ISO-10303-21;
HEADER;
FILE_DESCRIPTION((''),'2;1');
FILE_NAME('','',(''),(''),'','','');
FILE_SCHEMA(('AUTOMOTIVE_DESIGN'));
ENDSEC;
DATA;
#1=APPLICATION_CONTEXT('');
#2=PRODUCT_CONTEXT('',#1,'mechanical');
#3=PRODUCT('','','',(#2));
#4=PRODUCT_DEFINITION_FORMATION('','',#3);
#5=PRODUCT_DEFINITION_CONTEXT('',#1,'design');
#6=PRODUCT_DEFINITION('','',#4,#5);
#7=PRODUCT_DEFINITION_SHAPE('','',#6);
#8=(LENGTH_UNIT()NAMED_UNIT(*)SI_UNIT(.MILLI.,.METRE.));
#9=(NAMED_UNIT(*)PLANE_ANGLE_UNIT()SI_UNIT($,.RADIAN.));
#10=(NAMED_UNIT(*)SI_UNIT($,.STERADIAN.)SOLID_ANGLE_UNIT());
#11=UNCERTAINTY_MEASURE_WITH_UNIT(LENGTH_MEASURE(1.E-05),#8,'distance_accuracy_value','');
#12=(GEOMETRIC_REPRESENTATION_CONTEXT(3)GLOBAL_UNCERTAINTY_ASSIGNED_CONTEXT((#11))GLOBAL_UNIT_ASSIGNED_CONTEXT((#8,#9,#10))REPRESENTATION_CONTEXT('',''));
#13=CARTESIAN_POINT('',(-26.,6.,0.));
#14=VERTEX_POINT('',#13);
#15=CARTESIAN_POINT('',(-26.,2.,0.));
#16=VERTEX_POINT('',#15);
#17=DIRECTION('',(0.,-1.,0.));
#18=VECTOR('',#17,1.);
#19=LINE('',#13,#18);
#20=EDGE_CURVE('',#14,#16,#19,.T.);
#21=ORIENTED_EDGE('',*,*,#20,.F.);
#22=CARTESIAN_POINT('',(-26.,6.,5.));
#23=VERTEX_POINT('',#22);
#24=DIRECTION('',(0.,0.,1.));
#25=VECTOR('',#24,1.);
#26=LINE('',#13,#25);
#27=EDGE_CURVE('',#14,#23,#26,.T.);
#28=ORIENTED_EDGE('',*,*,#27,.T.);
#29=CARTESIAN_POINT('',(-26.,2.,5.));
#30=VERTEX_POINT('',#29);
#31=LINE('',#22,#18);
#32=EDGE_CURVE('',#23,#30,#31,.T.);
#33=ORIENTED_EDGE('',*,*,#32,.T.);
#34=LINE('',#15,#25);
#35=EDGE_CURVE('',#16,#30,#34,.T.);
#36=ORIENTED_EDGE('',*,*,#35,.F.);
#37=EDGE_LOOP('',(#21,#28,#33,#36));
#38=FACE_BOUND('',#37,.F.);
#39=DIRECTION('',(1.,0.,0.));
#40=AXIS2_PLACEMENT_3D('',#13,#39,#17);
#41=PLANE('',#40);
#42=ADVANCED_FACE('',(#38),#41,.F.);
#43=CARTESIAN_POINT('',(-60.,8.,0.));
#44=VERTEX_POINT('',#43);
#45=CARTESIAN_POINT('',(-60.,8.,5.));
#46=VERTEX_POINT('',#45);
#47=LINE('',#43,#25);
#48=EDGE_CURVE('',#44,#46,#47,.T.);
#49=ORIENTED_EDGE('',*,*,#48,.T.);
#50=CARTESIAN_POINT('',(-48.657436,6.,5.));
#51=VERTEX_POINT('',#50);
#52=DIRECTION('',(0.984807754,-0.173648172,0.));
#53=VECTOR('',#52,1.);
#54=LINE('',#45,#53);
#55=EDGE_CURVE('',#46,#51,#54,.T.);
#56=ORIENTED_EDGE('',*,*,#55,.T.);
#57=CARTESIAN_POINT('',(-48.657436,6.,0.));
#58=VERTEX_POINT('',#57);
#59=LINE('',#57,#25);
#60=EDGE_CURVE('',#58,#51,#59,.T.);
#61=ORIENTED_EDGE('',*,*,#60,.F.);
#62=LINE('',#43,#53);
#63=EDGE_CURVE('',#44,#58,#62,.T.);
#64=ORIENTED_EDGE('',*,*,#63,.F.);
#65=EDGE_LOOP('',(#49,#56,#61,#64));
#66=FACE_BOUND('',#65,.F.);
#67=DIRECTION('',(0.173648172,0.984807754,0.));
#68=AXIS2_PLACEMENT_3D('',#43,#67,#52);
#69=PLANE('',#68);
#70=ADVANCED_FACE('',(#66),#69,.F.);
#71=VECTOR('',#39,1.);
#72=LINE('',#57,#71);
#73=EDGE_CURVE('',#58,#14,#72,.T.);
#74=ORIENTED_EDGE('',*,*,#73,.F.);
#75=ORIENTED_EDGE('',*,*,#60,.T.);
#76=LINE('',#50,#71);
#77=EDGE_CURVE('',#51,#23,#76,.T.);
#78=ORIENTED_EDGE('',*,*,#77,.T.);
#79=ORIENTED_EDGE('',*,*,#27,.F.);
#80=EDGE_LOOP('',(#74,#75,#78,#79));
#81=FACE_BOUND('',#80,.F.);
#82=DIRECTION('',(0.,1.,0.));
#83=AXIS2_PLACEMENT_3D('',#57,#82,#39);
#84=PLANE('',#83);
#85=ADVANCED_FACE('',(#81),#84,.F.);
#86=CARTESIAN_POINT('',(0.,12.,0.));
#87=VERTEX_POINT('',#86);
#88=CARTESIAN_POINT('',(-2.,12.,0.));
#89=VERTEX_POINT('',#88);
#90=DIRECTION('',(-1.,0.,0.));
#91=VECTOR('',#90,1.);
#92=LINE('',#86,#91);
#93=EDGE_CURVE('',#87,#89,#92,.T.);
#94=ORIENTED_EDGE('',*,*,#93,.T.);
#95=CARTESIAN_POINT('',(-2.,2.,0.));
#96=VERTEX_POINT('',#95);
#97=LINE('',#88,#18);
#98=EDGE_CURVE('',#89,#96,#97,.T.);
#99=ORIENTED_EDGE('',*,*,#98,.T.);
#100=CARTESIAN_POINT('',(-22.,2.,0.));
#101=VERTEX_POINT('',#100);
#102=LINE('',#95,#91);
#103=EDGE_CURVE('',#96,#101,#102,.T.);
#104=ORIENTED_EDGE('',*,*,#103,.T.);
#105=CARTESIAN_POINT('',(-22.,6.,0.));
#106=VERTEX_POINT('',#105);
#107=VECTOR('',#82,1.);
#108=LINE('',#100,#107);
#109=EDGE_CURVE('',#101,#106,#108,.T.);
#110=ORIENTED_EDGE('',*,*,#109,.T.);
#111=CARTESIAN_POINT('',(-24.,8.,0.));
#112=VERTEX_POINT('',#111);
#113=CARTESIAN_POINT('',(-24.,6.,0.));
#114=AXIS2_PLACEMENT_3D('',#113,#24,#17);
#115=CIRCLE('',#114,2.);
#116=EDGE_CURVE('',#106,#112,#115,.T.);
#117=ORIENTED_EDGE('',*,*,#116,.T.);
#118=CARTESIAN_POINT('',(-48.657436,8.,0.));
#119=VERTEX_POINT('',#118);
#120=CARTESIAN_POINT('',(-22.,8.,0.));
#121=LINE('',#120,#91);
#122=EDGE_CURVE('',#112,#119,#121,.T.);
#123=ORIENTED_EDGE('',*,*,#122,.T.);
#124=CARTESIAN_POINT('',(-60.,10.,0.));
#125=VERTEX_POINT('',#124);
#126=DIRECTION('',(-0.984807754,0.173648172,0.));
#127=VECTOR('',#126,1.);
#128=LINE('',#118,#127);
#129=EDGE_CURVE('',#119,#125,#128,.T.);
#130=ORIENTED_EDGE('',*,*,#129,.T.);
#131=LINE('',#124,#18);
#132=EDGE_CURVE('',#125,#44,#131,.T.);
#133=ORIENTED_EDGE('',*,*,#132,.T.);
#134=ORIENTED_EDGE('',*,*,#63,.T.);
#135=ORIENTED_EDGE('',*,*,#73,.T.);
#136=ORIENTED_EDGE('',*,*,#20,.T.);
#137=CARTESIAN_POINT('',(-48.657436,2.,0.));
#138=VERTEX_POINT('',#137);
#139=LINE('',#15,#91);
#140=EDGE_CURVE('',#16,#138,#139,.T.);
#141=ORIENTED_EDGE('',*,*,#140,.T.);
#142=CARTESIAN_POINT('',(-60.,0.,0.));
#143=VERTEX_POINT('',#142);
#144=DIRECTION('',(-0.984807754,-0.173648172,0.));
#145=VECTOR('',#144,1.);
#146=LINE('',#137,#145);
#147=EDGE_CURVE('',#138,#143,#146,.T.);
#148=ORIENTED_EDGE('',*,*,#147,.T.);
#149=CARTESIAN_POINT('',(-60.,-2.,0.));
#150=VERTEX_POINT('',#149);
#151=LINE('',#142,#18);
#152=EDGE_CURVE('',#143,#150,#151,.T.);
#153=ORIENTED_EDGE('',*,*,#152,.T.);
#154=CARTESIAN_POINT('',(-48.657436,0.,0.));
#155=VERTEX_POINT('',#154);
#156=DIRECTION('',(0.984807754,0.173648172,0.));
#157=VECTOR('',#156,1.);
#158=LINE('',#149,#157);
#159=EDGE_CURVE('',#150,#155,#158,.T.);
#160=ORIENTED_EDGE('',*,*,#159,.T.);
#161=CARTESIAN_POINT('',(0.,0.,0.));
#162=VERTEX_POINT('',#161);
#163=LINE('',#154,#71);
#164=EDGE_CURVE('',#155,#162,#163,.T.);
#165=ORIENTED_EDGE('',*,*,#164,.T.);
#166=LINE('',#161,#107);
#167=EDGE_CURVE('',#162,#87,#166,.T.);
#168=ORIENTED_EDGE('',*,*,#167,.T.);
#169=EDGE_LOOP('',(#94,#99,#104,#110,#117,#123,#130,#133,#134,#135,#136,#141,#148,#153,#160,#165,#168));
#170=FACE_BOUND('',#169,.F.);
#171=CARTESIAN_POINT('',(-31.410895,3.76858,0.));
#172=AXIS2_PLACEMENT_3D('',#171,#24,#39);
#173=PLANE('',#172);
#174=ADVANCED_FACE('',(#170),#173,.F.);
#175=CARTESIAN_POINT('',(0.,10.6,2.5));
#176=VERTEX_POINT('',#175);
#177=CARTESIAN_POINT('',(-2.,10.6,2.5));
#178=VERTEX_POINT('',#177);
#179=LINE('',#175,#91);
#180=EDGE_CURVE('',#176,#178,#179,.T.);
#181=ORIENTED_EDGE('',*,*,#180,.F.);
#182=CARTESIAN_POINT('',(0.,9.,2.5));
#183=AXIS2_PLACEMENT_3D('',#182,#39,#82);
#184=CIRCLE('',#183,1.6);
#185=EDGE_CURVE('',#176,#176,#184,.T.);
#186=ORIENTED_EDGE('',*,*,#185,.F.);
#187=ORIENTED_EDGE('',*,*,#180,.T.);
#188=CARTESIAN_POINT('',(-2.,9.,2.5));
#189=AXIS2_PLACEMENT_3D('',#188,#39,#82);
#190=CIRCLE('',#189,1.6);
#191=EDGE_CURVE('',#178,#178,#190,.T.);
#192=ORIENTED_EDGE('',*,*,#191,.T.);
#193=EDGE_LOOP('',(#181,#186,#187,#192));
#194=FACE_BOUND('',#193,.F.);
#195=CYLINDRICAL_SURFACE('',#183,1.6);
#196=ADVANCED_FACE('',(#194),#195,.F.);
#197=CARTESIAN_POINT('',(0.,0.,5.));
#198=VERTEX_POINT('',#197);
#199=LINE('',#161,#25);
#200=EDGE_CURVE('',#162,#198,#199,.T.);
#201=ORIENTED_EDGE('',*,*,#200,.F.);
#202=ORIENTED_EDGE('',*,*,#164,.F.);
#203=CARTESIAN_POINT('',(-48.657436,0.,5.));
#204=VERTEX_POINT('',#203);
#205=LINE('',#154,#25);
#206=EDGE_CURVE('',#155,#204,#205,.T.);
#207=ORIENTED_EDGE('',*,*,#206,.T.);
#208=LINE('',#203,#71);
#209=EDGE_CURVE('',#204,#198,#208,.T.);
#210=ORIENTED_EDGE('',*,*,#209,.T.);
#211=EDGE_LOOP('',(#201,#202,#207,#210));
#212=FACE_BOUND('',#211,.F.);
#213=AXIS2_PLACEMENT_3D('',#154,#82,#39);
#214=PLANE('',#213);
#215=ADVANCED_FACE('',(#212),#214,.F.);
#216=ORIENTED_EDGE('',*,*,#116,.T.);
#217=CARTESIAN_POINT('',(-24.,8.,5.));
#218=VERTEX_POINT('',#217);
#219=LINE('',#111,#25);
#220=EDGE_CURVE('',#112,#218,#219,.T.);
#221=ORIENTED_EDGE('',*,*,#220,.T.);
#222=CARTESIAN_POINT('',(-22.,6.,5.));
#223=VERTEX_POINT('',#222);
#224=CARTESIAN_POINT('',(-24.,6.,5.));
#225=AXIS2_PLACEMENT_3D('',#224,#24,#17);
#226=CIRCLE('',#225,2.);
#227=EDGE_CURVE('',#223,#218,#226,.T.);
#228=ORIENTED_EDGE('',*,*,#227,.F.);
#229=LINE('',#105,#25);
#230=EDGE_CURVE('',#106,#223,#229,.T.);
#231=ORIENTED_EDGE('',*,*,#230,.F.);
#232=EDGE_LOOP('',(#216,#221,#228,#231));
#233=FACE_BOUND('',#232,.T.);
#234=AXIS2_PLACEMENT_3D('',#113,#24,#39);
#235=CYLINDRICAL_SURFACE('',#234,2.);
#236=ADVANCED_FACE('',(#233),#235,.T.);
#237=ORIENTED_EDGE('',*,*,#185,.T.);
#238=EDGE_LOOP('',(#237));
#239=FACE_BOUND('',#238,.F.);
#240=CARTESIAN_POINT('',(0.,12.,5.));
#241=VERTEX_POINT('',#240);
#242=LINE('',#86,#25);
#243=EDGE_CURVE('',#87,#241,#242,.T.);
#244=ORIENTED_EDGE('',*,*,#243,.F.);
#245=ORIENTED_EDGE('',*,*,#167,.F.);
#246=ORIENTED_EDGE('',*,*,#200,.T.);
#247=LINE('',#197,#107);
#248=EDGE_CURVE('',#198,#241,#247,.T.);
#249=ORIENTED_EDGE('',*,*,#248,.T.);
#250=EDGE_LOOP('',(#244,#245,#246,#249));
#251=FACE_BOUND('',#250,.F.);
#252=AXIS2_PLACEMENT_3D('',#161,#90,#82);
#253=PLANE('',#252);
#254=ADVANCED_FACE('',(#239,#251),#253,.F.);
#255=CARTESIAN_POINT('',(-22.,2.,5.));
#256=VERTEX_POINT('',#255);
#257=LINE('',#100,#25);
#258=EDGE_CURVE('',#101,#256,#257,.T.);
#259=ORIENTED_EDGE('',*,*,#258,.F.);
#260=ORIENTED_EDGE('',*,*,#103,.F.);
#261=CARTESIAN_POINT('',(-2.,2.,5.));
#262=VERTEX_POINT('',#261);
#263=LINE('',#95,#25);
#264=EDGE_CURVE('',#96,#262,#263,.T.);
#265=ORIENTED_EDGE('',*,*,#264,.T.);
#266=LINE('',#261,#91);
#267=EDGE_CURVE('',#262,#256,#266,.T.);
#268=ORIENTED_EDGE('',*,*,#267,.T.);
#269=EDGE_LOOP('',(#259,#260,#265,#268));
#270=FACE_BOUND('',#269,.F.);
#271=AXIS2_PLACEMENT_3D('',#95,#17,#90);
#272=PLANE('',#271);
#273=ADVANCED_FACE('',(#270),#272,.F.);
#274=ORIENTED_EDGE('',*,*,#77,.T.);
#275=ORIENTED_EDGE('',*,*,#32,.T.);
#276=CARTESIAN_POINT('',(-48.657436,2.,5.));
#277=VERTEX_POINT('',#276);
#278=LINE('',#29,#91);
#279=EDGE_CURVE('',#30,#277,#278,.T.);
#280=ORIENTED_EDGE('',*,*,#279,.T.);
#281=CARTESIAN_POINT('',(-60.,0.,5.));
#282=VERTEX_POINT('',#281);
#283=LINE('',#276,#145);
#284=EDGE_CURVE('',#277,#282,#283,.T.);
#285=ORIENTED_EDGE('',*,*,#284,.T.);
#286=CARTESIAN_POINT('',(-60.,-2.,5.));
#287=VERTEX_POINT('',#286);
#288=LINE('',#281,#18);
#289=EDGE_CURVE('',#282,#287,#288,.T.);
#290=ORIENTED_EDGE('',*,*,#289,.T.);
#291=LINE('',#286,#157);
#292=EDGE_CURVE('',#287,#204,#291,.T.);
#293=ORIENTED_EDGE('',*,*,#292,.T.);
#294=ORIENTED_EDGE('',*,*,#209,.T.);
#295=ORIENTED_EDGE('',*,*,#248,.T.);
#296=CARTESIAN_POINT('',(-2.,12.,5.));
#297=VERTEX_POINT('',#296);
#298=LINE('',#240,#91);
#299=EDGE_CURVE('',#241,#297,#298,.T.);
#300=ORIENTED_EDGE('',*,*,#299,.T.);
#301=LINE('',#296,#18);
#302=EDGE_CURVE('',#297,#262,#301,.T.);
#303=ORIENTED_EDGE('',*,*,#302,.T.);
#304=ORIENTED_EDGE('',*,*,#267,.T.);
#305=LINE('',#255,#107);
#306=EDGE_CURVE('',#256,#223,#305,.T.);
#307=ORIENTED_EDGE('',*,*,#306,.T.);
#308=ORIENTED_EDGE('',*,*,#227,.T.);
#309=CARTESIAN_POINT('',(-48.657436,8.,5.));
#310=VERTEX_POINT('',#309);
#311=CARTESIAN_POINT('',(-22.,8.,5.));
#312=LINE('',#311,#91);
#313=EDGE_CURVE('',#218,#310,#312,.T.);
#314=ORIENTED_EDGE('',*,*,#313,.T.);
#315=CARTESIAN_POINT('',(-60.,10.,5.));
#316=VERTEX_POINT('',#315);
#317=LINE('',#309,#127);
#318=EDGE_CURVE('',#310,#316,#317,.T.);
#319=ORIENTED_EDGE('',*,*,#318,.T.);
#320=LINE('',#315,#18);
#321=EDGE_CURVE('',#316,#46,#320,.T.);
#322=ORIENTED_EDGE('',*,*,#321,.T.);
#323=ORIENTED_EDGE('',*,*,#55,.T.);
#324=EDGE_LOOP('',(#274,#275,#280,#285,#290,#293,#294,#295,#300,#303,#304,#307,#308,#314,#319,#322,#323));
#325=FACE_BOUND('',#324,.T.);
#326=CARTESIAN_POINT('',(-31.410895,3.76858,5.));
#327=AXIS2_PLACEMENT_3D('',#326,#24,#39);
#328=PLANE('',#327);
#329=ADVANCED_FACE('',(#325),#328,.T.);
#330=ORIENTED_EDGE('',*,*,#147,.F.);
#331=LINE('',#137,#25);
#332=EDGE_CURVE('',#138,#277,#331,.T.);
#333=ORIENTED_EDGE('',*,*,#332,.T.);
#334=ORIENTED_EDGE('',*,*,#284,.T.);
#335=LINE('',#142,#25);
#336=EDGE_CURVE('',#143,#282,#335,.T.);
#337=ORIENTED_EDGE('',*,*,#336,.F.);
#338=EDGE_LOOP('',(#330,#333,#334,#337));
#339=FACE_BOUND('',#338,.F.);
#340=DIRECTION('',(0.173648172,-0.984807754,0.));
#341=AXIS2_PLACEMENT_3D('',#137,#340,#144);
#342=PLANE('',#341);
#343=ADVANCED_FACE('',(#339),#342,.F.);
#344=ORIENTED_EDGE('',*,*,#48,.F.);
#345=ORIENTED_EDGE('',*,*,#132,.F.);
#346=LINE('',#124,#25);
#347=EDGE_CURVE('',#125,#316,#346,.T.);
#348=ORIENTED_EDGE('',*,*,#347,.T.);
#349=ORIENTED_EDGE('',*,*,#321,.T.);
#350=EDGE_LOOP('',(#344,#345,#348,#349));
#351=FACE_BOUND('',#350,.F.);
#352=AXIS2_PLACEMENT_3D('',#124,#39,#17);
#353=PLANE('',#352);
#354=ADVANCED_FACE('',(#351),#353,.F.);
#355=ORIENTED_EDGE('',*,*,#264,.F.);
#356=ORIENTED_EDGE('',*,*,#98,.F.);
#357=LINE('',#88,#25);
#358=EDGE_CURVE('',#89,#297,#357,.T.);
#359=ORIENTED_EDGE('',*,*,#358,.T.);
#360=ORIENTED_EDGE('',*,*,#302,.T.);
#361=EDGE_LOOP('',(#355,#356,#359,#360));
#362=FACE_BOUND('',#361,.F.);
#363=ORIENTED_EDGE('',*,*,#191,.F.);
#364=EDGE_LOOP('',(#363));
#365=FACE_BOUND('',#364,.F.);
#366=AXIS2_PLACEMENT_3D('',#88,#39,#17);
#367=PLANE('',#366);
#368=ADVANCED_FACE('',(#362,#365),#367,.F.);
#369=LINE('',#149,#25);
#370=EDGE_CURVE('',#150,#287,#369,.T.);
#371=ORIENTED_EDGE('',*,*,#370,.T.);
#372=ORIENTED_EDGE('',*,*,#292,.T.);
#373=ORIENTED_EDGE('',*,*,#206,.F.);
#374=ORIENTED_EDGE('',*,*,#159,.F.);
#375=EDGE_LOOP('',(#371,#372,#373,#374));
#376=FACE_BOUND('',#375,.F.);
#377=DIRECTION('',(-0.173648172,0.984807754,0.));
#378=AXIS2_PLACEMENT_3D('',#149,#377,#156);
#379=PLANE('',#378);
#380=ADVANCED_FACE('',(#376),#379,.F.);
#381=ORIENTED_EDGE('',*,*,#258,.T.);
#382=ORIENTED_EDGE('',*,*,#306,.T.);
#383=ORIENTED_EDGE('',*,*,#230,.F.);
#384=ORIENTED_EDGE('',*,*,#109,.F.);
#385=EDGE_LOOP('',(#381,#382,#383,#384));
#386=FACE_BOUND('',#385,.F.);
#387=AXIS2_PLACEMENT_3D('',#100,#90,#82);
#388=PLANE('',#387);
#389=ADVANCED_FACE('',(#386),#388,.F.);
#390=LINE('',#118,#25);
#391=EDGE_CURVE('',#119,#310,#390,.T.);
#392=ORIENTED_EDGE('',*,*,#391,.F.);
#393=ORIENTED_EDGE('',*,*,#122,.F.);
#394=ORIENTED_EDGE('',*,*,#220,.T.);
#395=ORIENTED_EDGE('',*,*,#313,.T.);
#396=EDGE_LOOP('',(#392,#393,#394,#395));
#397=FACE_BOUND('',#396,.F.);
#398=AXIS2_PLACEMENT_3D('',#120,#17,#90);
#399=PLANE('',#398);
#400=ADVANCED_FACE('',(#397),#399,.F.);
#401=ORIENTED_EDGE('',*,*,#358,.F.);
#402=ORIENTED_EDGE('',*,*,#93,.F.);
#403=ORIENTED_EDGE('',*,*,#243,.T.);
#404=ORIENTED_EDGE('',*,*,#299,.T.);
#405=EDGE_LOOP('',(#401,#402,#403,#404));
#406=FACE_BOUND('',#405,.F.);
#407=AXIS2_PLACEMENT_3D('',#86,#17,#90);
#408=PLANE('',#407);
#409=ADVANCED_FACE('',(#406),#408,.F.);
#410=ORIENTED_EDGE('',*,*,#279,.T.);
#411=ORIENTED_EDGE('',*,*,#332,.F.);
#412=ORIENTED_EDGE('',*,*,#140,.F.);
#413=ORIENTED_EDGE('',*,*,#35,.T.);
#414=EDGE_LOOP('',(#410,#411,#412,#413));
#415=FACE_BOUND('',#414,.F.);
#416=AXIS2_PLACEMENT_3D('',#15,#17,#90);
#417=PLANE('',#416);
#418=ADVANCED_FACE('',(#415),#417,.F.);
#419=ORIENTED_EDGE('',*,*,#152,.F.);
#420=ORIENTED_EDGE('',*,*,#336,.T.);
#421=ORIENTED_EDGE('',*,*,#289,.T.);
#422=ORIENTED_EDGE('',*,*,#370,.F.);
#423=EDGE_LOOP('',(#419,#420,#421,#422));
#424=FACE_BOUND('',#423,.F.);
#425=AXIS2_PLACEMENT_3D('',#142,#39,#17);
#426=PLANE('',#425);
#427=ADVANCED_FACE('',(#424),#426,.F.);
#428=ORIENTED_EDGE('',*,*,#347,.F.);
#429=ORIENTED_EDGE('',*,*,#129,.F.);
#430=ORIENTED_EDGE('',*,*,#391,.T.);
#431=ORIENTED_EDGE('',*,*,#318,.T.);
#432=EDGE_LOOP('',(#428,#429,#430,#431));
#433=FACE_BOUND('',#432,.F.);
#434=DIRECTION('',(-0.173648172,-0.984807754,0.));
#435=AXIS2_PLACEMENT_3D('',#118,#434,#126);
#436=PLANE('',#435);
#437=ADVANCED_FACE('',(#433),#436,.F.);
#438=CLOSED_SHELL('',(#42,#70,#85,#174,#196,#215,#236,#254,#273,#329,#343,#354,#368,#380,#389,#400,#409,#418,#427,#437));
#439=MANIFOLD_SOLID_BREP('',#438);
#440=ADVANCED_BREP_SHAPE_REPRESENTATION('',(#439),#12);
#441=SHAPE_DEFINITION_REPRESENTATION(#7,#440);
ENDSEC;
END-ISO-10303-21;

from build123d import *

# Parameters (mm, degrees)
F1_DEPTH = 5
F2_R     = 1.6
F3_DEPTH = 3
F4_R     = 2


with BuildPart() as f1:
    # F0 (on Top) → F1 (new body)
    with BuildSketch(Plane.XY):
        Polygon((-48.657436, 0), (0, 0), (0, 12), (-2, 12), (-2, 2), (-22, 2), (-22, 8), (-48.657436, 8), (-60, 10), (-60, 8), (-48.657436, 6), (-26, 6), (-26, 2), (-48.657436, 2), (-60, 0), (-60, -2), align=None)
    extrude(amount=F1_DEPTH)

    # F2 (on face) → F3 (cut)
    with BuildSketch(Plane.YZ):
        with Locations((9, 2.5)):
            Circle(F2_R)
    extrude(amount=-F3_DEPTH, mode=Mode.SUBTRACT)

    # F4
    f4_edges = [f1.edges().sort_by_distance(p)[0] for p in [
        (-22, 8, 2.5),
    ]]
    fillet(f4_edges, radius=F4_R)


solid = f1.part
